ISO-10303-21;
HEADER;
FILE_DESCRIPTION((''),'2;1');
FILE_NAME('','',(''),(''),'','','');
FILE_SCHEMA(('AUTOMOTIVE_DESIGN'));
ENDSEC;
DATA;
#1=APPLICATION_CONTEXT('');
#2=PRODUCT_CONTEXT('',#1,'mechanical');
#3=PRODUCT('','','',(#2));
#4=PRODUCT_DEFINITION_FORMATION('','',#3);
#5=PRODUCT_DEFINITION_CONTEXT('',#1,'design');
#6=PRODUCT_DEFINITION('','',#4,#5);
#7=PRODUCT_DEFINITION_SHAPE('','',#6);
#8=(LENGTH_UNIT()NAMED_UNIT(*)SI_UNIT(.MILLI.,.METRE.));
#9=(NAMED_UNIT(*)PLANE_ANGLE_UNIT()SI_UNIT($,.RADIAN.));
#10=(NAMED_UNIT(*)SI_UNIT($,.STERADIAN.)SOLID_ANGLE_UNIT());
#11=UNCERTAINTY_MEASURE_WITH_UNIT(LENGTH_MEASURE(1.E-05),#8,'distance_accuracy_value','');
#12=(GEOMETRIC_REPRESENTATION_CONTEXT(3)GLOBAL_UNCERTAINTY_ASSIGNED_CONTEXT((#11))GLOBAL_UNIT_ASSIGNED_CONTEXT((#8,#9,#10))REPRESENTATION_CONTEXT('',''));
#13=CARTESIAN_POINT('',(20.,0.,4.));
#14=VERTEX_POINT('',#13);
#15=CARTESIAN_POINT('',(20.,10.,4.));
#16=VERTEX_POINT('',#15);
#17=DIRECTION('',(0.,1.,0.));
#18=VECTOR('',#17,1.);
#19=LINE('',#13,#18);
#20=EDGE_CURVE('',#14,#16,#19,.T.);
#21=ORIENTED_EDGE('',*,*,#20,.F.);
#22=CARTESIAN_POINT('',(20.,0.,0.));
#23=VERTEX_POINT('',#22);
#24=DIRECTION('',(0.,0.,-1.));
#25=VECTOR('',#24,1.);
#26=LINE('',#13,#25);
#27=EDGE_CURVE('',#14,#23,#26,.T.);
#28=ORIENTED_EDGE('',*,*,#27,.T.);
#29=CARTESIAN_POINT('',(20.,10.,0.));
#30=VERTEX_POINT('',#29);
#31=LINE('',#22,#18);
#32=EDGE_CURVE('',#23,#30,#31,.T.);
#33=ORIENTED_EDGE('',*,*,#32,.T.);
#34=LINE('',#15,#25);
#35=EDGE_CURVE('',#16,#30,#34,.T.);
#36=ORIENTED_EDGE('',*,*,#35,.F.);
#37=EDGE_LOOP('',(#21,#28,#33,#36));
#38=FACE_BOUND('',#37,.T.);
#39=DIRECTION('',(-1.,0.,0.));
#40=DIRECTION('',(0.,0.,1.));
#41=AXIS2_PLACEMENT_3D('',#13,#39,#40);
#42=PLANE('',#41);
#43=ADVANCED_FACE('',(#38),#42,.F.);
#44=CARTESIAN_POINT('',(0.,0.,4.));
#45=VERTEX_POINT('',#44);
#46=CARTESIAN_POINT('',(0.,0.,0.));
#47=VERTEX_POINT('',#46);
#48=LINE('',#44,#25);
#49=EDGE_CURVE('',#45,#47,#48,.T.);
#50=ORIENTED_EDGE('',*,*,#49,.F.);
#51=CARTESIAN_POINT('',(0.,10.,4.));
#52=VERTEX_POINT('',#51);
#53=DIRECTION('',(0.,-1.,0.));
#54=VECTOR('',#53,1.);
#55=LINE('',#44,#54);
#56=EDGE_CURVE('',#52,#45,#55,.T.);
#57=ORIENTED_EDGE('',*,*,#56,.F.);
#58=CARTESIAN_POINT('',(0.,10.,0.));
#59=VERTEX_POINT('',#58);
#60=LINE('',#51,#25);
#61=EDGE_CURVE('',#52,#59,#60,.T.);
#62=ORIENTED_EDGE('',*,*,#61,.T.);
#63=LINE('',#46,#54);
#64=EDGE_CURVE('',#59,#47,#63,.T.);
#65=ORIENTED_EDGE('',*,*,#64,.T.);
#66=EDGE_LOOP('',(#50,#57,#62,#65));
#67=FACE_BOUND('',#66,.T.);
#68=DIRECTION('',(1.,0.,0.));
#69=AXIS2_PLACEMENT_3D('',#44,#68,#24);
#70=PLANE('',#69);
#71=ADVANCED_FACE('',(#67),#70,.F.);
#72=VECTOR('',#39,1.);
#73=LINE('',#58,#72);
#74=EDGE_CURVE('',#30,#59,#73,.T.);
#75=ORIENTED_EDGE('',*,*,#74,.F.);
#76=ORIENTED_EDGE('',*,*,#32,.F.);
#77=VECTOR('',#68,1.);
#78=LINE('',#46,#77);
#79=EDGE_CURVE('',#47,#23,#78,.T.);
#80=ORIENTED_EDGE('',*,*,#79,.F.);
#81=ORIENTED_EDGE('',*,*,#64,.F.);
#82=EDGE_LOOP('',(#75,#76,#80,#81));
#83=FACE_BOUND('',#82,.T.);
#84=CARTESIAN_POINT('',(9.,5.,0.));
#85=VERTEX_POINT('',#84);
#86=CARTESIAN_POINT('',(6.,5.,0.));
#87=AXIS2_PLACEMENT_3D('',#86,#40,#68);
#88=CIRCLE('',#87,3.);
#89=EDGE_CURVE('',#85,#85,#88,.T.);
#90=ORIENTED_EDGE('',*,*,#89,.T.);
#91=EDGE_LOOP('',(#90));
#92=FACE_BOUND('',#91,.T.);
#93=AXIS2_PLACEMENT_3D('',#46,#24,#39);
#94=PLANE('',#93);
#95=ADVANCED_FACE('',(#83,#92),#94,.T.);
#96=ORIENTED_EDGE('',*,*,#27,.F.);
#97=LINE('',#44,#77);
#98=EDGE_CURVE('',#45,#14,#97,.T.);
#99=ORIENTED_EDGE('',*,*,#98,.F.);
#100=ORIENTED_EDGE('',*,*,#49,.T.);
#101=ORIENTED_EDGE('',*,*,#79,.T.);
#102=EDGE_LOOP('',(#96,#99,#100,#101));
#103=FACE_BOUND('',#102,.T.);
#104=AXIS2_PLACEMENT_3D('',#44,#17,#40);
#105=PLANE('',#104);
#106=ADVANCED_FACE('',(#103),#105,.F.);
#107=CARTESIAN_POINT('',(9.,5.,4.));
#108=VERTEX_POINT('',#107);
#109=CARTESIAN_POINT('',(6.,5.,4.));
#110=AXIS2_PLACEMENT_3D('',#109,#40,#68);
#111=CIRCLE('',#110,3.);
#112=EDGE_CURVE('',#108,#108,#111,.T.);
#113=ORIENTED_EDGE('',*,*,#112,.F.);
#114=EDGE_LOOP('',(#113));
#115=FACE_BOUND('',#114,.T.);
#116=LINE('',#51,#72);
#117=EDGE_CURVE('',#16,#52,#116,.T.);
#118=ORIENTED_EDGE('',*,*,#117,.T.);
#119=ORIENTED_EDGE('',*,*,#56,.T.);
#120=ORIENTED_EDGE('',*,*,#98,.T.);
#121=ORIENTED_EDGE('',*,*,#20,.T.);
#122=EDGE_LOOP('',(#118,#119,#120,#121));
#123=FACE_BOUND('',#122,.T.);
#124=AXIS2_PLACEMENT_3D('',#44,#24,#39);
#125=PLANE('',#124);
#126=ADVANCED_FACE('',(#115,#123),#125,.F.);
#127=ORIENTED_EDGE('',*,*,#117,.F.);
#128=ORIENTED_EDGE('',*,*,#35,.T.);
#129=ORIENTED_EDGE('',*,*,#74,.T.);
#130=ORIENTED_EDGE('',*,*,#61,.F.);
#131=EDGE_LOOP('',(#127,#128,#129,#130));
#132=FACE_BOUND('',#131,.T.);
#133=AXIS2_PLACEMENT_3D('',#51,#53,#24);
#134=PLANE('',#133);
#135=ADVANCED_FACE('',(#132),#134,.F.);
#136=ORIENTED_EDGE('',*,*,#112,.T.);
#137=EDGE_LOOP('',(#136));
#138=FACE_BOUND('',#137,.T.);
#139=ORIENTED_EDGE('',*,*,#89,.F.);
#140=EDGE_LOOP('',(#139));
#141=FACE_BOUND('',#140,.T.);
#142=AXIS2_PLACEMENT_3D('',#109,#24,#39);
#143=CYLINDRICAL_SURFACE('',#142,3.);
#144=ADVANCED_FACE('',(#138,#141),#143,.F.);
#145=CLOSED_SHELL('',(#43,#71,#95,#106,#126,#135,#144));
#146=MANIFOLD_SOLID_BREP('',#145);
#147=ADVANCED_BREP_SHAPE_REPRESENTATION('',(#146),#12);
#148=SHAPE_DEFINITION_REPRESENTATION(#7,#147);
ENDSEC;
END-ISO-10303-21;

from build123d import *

# Parameters (mm, degrees)
SKETCH1_W           = 20
SKETCH1_H           = 10
SKETCH1_R           = 3
BOSS_EXTRUDE1_DEPTH = 4


with BuildPart() as part:
    # Sketch1 → Boss-Extrude1 (new body)
    with BuildSketch(Plane.XY):
        with Locations((10, 5)):
            Rectangle(SKETCH1_W, SKETCH1_H)
        with Locations((6, 5)):
            Circle(SKETCH1_R, mode=Mode.SUBTRACT)
    extrude(amount=BOSS_EXTRUDE1_DEPTH)


solid = part.part
